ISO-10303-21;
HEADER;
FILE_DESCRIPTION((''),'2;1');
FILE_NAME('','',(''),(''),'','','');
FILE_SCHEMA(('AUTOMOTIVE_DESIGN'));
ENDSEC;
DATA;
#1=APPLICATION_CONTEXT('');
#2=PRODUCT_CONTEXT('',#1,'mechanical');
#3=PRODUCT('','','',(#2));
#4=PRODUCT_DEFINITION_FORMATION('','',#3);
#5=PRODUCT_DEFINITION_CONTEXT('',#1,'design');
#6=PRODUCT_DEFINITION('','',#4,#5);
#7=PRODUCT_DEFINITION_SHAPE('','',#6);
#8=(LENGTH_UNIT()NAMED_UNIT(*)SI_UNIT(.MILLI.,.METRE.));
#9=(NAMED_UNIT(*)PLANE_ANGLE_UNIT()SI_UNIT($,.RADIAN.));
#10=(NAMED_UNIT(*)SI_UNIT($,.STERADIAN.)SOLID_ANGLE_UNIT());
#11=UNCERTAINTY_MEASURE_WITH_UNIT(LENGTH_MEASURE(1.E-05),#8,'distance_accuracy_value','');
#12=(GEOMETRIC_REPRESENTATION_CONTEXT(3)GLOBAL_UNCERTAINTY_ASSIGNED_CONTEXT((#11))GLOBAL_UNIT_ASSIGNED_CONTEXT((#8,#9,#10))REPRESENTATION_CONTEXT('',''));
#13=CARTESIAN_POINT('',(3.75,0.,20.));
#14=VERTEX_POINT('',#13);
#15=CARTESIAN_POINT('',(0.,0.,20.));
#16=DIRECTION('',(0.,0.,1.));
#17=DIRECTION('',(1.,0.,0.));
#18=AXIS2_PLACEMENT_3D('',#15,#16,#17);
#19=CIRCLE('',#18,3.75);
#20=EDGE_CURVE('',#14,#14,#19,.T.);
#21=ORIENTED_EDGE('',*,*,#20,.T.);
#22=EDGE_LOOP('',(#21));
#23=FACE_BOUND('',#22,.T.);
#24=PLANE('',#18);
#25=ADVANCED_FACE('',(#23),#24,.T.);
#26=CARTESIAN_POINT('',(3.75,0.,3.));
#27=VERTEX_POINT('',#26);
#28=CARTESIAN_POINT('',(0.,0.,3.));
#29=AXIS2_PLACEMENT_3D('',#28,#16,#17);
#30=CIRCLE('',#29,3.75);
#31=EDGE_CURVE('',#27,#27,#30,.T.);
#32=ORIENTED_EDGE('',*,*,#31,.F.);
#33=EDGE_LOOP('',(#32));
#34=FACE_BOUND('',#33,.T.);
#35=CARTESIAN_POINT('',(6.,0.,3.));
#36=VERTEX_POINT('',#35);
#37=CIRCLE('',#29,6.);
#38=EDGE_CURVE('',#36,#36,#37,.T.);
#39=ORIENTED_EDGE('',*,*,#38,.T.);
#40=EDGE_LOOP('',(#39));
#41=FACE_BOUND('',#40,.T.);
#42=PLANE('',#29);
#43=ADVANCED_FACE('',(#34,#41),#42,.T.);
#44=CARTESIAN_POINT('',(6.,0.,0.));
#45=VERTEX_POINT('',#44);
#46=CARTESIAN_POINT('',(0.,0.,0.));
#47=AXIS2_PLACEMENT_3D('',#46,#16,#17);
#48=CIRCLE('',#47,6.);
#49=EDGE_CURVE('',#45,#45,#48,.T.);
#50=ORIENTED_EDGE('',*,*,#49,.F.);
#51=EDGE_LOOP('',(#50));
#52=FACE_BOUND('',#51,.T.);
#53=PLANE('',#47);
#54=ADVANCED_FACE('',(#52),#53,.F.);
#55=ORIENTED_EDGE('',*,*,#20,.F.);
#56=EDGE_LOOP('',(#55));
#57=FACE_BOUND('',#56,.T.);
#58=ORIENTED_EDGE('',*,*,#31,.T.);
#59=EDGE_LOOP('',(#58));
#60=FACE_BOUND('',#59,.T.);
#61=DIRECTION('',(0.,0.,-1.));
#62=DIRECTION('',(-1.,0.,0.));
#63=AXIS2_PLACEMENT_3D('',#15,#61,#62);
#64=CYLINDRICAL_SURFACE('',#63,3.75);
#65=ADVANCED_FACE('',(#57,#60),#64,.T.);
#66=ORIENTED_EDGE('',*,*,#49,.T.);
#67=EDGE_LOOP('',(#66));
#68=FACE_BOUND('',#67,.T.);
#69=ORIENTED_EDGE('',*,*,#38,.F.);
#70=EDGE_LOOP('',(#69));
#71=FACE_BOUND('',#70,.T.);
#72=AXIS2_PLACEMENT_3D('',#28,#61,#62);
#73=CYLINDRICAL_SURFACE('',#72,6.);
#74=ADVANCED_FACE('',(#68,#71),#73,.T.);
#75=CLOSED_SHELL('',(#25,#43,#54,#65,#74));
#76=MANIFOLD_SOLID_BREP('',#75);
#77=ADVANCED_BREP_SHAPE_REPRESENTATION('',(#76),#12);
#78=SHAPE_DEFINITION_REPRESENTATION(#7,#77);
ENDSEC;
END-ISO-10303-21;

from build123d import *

# Parameters (mm, degrees)
SKETCH1_R           = 6
SKETCH1_R_2         = 3.75
BOSS_EXTRUDE1_DEPTH = 3
SKETCH1_2_R         = 3.75
BOSS_EXTRUDE2_DEPTH = 20


with BuildPart() as part:
    # Sketch1 → Boss-Extrude1 (new body)
    with BuildSketch(Plane.XY):
        Circle(SKETCH1_R)
        Circle(SKETCH1_R_2, mode=Mode.SUBTRACT)
    extrude(amount=BOSS_EXTRUDE1_DEPTH)

    # Sketch1<2> → Boss-Extrude2 (add)
    with BuildSketch(Plane.XY):
        Circle(SKETCH1_2_R)
    extrude(amount=BOSS_EXTRUDE2_DEPTH)


solid = part.part
